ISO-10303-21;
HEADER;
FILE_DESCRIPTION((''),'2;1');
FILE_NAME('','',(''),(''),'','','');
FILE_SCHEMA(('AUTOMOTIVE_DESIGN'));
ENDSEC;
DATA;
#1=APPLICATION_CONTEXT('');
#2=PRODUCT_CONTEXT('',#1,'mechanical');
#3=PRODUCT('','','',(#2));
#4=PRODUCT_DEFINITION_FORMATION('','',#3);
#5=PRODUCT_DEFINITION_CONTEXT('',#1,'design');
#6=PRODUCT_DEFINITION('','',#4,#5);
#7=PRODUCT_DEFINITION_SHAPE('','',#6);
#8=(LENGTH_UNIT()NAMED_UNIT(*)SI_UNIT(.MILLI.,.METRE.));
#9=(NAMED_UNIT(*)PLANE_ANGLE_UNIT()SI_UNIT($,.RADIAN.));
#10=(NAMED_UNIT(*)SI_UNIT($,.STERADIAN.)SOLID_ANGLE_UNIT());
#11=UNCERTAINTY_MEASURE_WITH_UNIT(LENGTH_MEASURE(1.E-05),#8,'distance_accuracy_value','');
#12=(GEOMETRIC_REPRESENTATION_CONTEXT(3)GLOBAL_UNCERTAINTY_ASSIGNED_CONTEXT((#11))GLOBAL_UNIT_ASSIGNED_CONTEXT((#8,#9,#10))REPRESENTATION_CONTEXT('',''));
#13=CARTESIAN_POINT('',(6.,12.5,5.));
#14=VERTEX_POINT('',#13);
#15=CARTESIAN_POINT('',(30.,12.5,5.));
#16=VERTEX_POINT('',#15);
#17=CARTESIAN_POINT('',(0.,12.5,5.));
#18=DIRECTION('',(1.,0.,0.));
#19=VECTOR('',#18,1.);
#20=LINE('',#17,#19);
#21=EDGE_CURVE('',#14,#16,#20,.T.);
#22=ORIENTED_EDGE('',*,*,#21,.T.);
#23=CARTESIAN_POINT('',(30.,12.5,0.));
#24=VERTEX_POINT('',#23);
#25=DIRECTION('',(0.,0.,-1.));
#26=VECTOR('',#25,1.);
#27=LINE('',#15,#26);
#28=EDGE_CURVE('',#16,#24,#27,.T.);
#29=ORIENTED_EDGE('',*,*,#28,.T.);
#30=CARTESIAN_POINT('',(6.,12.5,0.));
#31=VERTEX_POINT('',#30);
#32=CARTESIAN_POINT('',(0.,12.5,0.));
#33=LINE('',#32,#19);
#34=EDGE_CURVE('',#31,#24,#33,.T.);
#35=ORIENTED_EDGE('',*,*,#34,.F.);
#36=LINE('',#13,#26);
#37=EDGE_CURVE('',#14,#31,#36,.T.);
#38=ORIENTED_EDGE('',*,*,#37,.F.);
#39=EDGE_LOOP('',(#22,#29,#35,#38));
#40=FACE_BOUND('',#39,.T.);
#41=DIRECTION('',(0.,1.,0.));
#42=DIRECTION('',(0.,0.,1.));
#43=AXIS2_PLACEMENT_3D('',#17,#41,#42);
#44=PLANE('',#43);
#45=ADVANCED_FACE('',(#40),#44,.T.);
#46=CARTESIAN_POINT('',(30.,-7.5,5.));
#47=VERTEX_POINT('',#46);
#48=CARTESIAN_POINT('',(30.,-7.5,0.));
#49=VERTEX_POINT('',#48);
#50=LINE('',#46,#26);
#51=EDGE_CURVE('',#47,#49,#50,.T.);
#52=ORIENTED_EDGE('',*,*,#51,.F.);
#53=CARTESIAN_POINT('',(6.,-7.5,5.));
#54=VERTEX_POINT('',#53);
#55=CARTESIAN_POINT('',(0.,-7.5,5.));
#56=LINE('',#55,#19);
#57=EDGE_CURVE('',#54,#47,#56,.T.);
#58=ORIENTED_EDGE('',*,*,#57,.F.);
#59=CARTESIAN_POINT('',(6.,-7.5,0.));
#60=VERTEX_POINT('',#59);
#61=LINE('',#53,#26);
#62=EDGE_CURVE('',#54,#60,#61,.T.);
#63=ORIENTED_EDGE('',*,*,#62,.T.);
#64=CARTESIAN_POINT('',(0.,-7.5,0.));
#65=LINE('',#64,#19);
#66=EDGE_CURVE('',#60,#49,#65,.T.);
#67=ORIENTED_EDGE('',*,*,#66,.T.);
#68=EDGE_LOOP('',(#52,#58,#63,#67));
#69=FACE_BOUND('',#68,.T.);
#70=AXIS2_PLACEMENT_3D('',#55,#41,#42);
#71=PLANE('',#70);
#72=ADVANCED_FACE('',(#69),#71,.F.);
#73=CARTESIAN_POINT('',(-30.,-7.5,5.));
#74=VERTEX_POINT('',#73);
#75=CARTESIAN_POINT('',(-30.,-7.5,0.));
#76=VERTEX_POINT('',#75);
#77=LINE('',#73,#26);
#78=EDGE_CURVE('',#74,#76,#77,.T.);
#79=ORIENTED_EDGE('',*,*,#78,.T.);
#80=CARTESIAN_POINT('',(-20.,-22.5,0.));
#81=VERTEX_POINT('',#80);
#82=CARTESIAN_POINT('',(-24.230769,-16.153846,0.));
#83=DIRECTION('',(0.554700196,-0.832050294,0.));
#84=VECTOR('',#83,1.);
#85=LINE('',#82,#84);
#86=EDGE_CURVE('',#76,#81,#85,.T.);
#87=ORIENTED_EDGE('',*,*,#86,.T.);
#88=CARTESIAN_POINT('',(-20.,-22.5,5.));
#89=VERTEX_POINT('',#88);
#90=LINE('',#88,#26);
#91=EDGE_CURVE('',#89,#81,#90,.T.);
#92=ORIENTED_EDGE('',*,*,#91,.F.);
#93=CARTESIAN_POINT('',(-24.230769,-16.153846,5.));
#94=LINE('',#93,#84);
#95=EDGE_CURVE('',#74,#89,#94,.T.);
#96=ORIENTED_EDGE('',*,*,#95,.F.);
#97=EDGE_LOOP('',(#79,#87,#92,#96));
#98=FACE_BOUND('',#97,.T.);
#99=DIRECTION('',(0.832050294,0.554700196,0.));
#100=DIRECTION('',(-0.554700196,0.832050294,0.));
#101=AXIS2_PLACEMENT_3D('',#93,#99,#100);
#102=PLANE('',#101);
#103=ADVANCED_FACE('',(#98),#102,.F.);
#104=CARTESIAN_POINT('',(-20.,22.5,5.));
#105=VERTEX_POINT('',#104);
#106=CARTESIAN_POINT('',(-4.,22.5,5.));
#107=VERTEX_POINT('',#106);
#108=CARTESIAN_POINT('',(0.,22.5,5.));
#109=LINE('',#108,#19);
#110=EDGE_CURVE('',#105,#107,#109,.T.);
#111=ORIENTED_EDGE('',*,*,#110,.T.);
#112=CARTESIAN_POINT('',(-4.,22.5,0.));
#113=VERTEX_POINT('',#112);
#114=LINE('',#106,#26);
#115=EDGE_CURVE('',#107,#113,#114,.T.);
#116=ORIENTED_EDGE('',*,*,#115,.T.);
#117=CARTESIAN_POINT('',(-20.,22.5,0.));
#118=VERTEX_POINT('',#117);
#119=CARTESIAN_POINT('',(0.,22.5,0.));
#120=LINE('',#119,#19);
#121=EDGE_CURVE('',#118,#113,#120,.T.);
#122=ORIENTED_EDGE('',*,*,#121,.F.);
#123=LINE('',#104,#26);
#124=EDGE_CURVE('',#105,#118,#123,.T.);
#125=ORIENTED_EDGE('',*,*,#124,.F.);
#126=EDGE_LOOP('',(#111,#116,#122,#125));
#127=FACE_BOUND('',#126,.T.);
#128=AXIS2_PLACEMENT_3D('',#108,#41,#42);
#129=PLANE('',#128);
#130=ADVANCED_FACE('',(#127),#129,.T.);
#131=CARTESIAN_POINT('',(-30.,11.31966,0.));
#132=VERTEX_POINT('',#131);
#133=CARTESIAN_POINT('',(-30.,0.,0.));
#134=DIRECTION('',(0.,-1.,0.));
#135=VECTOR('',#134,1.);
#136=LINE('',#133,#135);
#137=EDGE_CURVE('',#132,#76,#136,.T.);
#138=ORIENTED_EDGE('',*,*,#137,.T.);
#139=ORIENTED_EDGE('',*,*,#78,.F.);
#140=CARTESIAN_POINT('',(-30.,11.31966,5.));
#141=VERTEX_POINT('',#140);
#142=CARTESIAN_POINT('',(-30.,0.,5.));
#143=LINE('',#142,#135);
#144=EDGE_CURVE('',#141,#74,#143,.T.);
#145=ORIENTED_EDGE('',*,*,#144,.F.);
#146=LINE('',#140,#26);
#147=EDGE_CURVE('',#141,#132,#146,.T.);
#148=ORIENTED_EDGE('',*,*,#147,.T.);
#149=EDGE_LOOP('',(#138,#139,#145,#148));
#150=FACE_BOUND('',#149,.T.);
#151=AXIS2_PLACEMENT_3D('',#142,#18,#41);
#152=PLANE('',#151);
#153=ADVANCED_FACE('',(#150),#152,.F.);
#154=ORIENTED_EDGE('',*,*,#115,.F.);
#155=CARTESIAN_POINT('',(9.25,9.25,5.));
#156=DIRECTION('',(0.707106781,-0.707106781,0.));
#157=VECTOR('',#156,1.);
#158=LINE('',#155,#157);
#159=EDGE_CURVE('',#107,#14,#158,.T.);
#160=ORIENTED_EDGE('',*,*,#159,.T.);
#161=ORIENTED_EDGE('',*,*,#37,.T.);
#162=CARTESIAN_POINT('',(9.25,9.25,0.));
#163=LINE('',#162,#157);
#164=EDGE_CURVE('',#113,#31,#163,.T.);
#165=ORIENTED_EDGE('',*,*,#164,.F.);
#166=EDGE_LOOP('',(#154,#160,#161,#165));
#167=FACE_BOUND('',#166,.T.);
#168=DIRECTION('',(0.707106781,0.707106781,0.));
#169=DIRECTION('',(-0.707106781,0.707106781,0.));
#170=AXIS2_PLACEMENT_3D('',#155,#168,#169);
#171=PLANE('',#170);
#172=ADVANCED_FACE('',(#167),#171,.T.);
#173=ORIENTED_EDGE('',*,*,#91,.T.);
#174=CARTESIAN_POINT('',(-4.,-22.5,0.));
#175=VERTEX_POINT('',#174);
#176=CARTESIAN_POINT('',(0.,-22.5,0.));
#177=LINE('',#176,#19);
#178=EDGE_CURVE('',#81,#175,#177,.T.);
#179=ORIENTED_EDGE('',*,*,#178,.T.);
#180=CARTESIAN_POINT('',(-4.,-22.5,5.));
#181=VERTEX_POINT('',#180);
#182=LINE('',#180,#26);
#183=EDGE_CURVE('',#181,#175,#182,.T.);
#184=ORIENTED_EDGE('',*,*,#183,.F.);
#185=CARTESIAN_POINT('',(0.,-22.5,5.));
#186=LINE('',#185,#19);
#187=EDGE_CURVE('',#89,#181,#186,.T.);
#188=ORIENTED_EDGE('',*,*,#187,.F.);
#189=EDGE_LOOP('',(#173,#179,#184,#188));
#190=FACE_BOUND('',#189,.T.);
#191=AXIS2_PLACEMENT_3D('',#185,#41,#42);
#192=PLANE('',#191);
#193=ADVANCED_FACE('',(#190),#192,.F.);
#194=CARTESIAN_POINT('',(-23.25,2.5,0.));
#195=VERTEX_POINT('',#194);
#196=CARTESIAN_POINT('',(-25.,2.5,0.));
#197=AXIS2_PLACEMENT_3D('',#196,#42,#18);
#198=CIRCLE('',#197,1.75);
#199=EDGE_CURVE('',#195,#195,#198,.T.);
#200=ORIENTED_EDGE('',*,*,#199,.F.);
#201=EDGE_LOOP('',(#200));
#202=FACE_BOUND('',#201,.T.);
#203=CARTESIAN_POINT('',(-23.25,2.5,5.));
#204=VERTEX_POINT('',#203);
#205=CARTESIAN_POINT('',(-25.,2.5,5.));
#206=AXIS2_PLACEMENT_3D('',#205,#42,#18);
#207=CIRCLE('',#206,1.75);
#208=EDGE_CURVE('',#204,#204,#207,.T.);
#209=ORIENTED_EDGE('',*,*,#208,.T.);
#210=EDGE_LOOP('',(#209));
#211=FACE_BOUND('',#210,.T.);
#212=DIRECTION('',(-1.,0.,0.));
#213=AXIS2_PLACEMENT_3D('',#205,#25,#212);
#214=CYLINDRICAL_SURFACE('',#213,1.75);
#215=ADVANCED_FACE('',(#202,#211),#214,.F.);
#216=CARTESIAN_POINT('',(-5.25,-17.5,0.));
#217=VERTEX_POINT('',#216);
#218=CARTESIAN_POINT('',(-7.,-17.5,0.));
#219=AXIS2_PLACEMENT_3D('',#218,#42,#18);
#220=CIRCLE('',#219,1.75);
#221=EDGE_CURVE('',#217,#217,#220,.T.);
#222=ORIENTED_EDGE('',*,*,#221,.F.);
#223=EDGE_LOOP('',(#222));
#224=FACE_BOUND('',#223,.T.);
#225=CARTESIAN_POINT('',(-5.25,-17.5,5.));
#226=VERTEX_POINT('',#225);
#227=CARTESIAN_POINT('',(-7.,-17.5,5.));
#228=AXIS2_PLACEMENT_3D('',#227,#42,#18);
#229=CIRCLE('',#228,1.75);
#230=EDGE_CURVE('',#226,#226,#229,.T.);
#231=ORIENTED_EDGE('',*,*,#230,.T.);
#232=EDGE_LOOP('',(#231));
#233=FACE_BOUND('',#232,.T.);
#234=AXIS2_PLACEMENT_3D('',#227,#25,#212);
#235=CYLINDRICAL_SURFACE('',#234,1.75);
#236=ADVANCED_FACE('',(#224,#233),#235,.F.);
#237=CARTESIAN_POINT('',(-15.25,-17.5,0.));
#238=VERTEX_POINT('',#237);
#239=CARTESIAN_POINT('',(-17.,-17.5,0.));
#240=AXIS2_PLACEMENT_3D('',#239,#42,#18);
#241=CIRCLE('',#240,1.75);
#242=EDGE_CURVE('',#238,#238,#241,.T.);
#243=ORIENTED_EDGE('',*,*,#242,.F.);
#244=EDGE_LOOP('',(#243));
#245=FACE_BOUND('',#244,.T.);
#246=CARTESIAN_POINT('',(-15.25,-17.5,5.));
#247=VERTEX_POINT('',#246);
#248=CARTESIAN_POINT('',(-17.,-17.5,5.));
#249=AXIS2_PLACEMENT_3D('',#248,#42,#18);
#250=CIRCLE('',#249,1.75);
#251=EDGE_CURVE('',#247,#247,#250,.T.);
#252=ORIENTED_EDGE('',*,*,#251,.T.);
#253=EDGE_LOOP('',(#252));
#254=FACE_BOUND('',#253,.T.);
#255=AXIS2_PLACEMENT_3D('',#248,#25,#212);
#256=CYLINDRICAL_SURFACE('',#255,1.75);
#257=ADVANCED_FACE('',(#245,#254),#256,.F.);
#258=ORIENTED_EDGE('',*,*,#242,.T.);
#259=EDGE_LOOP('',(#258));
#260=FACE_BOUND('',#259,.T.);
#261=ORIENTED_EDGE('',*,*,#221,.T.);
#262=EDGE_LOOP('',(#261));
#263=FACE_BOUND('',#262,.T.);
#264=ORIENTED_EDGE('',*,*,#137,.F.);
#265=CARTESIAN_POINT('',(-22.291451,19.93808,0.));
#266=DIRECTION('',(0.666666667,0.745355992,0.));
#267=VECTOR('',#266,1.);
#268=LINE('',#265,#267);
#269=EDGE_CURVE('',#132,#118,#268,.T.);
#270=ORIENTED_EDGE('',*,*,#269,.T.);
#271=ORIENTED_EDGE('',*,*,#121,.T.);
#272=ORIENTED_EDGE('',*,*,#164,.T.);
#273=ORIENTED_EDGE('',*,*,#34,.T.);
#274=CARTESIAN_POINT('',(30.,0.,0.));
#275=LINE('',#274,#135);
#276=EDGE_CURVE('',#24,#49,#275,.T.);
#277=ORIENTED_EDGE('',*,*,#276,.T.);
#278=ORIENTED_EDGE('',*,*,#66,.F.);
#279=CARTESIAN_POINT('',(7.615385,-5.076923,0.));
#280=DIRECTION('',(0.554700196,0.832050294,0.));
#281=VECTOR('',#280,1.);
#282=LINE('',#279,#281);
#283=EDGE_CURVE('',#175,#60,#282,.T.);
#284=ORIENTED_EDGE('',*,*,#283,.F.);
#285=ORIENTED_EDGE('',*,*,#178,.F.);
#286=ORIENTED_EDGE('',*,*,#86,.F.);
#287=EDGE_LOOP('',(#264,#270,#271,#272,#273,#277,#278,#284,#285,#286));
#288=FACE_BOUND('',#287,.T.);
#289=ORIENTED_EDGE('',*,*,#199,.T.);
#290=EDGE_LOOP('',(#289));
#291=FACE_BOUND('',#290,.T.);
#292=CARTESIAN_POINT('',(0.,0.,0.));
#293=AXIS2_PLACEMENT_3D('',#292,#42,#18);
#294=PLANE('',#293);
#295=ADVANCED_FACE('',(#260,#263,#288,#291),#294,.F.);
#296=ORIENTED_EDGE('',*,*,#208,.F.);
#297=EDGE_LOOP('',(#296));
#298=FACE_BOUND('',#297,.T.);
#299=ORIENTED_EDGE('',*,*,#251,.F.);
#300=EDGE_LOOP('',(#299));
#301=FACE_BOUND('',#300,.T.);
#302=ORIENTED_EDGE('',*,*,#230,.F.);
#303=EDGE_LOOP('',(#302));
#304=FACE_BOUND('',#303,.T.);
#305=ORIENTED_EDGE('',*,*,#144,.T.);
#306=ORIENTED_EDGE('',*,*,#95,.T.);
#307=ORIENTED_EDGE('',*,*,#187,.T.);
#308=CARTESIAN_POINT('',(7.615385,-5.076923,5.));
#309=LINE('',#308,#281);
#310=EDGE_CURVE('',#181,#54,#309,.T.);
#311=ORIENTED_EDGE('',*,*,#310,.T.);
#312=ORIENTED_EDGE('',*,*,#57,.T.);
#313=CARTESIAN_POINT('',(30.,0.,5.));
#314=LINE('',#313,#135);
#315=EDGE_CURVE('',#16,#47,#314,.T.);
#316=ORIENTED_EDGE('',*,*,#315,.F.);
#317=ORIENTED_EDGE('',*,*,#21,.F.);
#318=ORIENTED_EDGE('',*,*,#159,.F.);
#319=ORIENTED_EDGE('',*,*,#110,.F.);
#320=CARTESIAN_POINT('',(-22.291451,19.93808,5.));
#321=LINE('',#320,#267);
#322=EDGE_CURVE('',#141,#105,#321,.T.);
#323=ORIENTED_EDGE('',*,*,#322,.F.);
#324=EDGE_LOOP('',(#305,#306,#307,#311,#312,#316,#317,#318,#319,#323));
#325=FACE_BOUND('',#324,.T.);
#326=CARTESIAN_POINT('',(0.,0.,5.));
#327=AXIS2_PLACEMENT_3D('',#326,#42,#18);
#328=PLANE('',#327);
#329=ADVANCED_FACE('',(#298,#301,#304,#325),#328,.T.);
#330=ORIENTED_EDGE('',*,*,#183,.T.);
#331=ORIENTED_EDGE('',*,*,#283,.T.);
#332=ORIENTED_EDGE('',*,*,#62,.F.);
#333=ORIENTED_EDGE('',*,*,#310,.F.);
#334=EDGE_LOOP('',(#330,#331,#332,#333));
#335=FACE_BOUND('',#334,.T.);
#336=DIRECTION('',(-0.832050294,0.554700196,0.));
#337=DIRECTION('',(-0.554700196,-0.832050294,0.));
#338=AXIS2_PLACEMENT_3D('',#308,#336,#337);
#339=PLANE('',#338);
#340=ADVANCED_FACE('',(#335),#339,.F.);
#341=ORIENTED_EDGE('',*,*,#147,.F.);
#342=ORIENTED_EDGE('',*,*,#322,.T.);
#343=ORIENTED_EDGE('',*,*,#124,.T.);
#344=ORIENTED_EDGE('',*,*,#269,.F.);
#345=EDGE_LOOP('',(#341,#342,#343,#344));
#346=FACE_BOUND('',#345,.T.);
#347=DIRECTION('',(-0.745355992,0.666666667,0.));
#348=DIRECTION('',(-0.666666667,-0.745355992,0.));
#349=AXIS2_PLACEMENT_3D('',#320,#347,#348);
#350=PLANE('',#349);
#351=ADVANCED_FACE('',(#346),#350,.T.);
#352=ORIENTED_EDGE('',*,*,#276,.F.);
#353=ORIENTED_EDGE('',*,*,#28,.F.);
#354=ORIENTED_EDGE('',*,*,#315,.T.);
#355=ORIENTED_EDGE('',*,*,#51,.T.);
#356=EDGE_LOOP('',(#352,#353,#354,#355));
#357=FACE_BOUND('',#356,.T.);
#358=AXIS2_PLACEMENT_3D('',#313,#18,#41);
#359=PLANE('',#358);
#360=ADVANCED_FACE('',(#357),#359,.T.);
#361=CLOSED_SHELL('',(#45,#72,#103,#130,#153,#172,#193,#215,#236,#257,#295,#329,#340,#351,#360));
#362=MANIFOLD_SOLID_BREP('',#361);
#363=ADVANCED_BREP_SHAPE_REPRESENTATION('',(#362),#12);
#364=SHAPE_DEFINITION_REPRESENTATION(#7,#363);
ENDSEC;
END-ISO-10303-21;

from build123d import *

# Parameters (mm, degrees)
SKETCH1_W           = 7.2
SKETCH1_H           = 10.8
SKETCH1_R           = 1.75
BOSS_EXTRUDE3_DEPTH = 5
SKETCH2_W           = 50
SKETCH2_H           = 20
BOSS_EXTRUDE4_DEPTH = 5


with BuildPart() as part:
    # Sketch1 → Boss-Extrude3 (new body)
    with BuildSketch(Plane.XY):
        with Locations((10.9, 2.5)):
            Rectangle(SKETCH1_W, SKETCH1_H)
        Polygon((-20, 22.5), (-30, 11.319660113), (-30, -7.5), (-20, -22.5), (-4, -22.5), (6, -7.5), (30, -7.5), (30, 12.5), (6, 12.5), (-4, 22.5), align=None)
        with Locations((-17, -17.5)):
            Circle(SKETCH1_R, mode=Mode.SUBTRACT)
        with Locations((-7, -17.5)):
            Circle(SKETCH1_R, mode=Mode.SUBTRACT)
        with Locations((-25, 2.5)):
            Circle(SKETCH1_R, mode=Mode.SUBTRACT)
        Polygon((-3.5, 7.9), (7.3, 7.9), (14.5, 7.9), (14.5, -2.9), (7.3, -2.9), (-3.5, -2.9), align=None, mode=Mode.SUBTRACT)
    extrude(amount=BOSS_EXTRUDE3_DEPTH)

    # Sketch2 → Boss-Extrude4 (add)
    with BuildSketch(Plane(origin=(0, 0, 0), x_dir=(-1, 0, 0), z_dir=(0, 0, -1))):
        with Locations((-5, 2.5)):
            Rectangle(SKETCH2_W, SKETCH2_H)
    extrude(amount=-BOSS_EXTRUDE4_DEPTH)


solid = part.part
